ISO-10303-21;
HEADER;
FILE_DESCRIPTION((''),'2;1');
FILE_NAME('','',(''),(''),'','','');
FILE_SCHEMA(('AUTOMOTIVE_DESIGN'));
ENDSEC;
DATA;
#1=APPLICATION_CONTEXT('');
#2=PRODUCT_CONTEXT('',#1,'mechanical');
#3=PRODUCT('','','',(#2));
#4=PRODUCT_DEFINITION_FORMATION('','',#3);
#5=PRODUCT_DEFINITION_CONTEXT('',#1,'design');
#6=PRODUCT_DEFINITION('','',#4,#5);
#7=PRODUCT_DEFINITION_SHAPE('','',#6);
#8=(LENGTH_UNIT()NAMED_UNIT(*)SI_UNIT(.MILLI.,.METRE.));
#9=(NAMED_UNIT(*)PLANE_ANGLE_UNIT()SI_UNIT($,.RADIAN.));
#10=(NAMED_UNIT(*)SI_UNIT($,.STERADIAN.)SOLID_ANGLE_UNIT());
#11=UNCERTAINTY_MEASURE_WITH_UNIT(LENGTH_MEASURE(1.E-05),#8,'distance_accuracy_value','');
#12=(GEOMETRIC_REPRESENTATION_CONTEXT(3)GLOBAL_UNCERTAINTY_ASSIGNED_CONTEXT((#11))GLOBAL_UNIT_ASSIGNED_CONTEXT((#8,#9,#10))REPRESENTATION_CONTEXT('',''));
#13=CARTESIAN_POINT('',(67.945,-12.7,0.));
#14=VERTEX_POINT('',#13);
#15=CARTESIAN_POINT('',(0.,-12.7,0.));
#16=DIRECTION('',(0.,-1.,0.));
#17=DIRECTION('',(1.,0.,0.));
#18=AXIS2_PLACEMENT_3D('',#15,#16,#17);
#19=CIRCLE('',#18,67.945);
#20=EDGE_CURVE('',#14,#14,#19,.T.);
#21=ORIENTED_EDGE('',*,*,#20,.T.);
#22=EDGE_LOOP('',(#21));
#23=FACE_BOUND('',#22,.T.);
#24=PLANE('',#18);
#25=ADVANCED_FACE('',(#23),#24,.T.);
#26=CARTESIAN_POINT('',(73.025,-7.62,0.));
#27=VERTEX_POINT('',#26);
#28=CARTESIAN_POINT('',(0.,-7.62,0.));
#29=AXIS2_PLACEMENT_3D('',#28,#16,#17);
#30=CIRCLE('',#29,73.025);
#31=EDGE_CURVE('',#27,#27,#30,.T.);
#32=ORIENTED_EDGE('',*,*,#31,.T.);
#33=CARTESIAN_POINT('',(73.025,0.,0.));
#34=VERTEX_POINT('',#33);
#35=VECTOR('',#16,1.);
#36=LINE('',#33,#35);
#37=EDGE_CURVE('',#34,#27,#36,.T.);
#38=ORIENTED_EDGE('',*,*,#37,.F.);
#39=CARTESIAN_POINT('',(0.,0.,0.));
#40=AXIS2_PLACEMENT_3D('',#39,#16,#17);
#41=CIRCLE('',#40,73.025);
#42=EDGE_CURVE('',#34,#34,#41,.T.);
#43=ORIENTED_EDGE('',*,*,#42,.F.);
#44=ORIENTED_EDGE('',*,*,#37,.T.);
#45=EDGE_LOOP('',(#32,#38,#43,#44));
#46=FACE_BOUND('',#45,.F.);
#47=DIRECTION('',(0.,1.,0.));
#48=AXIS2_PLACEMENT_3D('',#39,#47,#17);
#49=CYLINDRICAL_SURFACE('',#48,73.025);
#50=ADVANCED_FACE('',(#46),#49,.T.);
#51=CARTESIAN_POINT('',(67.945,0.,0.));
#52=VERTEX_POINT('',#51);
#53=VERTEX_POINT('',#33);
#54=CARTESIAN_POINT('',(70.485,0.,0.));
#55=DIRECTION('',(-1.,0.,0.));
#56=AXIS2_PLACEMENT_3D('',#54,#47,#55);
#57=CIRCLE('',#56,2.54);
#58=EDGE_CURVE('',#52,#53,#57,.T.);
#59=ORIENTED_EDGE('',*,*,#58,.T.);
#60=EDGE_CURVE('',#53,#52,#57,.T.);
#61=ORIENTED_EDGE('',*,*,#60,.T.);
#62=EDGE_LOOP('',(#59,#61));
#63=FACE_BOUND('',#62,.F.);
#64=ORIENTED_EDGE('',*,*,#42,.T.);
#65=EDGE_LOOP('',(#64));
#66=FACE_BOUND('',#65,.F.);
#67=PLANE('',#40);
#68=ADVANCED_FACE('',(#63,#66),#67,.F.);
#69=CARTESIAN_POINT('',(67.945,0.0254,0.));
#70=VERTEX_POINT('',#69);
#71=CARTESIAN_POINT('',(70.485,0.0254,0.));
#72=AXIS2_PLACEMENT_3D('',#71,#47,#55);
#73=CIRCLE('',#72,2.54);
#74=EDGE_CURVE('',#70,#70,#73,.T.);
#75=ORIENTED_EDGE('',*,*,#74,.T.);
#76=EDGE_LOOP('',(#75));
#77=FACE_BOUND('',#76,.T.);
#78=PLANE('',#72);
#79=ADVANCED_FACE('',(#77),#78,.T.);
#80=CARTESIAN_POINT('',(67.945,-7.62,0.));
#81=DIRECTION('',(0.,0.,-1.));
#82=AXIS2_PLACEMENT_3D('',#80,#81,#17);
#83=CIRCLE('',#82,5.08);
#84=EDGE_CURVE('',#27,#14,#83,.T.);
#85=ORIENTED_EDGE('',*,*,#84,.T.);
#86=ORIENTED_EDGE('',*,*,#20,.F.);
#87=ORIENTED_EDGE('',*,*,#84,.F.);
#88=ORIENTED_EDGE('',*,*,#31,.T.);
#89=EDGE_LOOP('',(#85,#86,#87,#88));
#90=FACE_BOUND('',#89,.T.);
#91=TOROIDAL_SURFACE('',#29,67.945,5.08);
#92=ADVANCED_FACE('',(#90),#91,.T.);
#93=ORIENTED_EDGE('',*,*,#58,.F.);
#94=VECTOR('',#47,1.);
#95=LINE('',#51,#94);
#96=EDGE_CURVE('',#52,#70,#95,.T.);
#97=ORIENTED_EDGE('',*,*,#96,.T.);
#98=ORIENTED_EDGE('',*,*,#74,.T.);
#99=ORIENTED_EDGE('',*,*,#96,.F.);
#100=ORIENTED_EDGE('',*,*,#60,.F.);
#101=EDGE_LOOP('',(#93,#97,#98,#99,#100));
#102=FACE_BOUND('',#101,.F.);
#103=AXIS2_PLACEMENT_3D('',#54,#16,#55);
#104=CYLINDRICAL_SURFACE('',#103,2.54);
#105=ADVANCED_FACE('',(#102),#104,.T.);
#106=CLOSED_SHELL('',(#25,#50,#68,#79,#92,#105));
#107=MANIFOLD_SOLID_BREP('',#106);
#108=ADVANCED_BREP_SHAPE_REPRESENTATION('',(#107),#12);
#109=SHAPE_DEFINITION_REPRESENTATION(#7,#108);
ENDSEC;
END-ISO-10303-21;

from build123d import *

# Parameters (mm, degrees)
F0_R     = 73.025
F1_DEPTH = 12.7
F2_R     = 5.08
F4_DEPTH = 0.0254


with BuildPart() as f1:
    # F0 (on Front) → F1 (new body)
    with BuildSketch(Plane.XZ):
        Circle(F0_R)
    extrude(amount=F1_DEPTH)

    # F2
    f2_edges = [f1.edges().sort_by_distance(p)[0] for p in [
        (-73.025, -12.7, 0),
    ]]
    fillet(f2_edges, radius=F2_R)

    # F3 (on face) → F4 (join)
    with BuildSketch(Plane(origin=(0, 0, 0), x_dir=(-1, 0, 0), z_dir=(0, 1, 0))):
        with BuildLine():
            ThreePointArc((-73.025, 0), (-70.485, -2.54), (-67.945, 0))
            ThreePointArc((-67.945, 0), (-70.485, 2.54), (-73.025, 0))
        make_face()
    extrude(amount=F4_DEPTH)


solid = f1.part
